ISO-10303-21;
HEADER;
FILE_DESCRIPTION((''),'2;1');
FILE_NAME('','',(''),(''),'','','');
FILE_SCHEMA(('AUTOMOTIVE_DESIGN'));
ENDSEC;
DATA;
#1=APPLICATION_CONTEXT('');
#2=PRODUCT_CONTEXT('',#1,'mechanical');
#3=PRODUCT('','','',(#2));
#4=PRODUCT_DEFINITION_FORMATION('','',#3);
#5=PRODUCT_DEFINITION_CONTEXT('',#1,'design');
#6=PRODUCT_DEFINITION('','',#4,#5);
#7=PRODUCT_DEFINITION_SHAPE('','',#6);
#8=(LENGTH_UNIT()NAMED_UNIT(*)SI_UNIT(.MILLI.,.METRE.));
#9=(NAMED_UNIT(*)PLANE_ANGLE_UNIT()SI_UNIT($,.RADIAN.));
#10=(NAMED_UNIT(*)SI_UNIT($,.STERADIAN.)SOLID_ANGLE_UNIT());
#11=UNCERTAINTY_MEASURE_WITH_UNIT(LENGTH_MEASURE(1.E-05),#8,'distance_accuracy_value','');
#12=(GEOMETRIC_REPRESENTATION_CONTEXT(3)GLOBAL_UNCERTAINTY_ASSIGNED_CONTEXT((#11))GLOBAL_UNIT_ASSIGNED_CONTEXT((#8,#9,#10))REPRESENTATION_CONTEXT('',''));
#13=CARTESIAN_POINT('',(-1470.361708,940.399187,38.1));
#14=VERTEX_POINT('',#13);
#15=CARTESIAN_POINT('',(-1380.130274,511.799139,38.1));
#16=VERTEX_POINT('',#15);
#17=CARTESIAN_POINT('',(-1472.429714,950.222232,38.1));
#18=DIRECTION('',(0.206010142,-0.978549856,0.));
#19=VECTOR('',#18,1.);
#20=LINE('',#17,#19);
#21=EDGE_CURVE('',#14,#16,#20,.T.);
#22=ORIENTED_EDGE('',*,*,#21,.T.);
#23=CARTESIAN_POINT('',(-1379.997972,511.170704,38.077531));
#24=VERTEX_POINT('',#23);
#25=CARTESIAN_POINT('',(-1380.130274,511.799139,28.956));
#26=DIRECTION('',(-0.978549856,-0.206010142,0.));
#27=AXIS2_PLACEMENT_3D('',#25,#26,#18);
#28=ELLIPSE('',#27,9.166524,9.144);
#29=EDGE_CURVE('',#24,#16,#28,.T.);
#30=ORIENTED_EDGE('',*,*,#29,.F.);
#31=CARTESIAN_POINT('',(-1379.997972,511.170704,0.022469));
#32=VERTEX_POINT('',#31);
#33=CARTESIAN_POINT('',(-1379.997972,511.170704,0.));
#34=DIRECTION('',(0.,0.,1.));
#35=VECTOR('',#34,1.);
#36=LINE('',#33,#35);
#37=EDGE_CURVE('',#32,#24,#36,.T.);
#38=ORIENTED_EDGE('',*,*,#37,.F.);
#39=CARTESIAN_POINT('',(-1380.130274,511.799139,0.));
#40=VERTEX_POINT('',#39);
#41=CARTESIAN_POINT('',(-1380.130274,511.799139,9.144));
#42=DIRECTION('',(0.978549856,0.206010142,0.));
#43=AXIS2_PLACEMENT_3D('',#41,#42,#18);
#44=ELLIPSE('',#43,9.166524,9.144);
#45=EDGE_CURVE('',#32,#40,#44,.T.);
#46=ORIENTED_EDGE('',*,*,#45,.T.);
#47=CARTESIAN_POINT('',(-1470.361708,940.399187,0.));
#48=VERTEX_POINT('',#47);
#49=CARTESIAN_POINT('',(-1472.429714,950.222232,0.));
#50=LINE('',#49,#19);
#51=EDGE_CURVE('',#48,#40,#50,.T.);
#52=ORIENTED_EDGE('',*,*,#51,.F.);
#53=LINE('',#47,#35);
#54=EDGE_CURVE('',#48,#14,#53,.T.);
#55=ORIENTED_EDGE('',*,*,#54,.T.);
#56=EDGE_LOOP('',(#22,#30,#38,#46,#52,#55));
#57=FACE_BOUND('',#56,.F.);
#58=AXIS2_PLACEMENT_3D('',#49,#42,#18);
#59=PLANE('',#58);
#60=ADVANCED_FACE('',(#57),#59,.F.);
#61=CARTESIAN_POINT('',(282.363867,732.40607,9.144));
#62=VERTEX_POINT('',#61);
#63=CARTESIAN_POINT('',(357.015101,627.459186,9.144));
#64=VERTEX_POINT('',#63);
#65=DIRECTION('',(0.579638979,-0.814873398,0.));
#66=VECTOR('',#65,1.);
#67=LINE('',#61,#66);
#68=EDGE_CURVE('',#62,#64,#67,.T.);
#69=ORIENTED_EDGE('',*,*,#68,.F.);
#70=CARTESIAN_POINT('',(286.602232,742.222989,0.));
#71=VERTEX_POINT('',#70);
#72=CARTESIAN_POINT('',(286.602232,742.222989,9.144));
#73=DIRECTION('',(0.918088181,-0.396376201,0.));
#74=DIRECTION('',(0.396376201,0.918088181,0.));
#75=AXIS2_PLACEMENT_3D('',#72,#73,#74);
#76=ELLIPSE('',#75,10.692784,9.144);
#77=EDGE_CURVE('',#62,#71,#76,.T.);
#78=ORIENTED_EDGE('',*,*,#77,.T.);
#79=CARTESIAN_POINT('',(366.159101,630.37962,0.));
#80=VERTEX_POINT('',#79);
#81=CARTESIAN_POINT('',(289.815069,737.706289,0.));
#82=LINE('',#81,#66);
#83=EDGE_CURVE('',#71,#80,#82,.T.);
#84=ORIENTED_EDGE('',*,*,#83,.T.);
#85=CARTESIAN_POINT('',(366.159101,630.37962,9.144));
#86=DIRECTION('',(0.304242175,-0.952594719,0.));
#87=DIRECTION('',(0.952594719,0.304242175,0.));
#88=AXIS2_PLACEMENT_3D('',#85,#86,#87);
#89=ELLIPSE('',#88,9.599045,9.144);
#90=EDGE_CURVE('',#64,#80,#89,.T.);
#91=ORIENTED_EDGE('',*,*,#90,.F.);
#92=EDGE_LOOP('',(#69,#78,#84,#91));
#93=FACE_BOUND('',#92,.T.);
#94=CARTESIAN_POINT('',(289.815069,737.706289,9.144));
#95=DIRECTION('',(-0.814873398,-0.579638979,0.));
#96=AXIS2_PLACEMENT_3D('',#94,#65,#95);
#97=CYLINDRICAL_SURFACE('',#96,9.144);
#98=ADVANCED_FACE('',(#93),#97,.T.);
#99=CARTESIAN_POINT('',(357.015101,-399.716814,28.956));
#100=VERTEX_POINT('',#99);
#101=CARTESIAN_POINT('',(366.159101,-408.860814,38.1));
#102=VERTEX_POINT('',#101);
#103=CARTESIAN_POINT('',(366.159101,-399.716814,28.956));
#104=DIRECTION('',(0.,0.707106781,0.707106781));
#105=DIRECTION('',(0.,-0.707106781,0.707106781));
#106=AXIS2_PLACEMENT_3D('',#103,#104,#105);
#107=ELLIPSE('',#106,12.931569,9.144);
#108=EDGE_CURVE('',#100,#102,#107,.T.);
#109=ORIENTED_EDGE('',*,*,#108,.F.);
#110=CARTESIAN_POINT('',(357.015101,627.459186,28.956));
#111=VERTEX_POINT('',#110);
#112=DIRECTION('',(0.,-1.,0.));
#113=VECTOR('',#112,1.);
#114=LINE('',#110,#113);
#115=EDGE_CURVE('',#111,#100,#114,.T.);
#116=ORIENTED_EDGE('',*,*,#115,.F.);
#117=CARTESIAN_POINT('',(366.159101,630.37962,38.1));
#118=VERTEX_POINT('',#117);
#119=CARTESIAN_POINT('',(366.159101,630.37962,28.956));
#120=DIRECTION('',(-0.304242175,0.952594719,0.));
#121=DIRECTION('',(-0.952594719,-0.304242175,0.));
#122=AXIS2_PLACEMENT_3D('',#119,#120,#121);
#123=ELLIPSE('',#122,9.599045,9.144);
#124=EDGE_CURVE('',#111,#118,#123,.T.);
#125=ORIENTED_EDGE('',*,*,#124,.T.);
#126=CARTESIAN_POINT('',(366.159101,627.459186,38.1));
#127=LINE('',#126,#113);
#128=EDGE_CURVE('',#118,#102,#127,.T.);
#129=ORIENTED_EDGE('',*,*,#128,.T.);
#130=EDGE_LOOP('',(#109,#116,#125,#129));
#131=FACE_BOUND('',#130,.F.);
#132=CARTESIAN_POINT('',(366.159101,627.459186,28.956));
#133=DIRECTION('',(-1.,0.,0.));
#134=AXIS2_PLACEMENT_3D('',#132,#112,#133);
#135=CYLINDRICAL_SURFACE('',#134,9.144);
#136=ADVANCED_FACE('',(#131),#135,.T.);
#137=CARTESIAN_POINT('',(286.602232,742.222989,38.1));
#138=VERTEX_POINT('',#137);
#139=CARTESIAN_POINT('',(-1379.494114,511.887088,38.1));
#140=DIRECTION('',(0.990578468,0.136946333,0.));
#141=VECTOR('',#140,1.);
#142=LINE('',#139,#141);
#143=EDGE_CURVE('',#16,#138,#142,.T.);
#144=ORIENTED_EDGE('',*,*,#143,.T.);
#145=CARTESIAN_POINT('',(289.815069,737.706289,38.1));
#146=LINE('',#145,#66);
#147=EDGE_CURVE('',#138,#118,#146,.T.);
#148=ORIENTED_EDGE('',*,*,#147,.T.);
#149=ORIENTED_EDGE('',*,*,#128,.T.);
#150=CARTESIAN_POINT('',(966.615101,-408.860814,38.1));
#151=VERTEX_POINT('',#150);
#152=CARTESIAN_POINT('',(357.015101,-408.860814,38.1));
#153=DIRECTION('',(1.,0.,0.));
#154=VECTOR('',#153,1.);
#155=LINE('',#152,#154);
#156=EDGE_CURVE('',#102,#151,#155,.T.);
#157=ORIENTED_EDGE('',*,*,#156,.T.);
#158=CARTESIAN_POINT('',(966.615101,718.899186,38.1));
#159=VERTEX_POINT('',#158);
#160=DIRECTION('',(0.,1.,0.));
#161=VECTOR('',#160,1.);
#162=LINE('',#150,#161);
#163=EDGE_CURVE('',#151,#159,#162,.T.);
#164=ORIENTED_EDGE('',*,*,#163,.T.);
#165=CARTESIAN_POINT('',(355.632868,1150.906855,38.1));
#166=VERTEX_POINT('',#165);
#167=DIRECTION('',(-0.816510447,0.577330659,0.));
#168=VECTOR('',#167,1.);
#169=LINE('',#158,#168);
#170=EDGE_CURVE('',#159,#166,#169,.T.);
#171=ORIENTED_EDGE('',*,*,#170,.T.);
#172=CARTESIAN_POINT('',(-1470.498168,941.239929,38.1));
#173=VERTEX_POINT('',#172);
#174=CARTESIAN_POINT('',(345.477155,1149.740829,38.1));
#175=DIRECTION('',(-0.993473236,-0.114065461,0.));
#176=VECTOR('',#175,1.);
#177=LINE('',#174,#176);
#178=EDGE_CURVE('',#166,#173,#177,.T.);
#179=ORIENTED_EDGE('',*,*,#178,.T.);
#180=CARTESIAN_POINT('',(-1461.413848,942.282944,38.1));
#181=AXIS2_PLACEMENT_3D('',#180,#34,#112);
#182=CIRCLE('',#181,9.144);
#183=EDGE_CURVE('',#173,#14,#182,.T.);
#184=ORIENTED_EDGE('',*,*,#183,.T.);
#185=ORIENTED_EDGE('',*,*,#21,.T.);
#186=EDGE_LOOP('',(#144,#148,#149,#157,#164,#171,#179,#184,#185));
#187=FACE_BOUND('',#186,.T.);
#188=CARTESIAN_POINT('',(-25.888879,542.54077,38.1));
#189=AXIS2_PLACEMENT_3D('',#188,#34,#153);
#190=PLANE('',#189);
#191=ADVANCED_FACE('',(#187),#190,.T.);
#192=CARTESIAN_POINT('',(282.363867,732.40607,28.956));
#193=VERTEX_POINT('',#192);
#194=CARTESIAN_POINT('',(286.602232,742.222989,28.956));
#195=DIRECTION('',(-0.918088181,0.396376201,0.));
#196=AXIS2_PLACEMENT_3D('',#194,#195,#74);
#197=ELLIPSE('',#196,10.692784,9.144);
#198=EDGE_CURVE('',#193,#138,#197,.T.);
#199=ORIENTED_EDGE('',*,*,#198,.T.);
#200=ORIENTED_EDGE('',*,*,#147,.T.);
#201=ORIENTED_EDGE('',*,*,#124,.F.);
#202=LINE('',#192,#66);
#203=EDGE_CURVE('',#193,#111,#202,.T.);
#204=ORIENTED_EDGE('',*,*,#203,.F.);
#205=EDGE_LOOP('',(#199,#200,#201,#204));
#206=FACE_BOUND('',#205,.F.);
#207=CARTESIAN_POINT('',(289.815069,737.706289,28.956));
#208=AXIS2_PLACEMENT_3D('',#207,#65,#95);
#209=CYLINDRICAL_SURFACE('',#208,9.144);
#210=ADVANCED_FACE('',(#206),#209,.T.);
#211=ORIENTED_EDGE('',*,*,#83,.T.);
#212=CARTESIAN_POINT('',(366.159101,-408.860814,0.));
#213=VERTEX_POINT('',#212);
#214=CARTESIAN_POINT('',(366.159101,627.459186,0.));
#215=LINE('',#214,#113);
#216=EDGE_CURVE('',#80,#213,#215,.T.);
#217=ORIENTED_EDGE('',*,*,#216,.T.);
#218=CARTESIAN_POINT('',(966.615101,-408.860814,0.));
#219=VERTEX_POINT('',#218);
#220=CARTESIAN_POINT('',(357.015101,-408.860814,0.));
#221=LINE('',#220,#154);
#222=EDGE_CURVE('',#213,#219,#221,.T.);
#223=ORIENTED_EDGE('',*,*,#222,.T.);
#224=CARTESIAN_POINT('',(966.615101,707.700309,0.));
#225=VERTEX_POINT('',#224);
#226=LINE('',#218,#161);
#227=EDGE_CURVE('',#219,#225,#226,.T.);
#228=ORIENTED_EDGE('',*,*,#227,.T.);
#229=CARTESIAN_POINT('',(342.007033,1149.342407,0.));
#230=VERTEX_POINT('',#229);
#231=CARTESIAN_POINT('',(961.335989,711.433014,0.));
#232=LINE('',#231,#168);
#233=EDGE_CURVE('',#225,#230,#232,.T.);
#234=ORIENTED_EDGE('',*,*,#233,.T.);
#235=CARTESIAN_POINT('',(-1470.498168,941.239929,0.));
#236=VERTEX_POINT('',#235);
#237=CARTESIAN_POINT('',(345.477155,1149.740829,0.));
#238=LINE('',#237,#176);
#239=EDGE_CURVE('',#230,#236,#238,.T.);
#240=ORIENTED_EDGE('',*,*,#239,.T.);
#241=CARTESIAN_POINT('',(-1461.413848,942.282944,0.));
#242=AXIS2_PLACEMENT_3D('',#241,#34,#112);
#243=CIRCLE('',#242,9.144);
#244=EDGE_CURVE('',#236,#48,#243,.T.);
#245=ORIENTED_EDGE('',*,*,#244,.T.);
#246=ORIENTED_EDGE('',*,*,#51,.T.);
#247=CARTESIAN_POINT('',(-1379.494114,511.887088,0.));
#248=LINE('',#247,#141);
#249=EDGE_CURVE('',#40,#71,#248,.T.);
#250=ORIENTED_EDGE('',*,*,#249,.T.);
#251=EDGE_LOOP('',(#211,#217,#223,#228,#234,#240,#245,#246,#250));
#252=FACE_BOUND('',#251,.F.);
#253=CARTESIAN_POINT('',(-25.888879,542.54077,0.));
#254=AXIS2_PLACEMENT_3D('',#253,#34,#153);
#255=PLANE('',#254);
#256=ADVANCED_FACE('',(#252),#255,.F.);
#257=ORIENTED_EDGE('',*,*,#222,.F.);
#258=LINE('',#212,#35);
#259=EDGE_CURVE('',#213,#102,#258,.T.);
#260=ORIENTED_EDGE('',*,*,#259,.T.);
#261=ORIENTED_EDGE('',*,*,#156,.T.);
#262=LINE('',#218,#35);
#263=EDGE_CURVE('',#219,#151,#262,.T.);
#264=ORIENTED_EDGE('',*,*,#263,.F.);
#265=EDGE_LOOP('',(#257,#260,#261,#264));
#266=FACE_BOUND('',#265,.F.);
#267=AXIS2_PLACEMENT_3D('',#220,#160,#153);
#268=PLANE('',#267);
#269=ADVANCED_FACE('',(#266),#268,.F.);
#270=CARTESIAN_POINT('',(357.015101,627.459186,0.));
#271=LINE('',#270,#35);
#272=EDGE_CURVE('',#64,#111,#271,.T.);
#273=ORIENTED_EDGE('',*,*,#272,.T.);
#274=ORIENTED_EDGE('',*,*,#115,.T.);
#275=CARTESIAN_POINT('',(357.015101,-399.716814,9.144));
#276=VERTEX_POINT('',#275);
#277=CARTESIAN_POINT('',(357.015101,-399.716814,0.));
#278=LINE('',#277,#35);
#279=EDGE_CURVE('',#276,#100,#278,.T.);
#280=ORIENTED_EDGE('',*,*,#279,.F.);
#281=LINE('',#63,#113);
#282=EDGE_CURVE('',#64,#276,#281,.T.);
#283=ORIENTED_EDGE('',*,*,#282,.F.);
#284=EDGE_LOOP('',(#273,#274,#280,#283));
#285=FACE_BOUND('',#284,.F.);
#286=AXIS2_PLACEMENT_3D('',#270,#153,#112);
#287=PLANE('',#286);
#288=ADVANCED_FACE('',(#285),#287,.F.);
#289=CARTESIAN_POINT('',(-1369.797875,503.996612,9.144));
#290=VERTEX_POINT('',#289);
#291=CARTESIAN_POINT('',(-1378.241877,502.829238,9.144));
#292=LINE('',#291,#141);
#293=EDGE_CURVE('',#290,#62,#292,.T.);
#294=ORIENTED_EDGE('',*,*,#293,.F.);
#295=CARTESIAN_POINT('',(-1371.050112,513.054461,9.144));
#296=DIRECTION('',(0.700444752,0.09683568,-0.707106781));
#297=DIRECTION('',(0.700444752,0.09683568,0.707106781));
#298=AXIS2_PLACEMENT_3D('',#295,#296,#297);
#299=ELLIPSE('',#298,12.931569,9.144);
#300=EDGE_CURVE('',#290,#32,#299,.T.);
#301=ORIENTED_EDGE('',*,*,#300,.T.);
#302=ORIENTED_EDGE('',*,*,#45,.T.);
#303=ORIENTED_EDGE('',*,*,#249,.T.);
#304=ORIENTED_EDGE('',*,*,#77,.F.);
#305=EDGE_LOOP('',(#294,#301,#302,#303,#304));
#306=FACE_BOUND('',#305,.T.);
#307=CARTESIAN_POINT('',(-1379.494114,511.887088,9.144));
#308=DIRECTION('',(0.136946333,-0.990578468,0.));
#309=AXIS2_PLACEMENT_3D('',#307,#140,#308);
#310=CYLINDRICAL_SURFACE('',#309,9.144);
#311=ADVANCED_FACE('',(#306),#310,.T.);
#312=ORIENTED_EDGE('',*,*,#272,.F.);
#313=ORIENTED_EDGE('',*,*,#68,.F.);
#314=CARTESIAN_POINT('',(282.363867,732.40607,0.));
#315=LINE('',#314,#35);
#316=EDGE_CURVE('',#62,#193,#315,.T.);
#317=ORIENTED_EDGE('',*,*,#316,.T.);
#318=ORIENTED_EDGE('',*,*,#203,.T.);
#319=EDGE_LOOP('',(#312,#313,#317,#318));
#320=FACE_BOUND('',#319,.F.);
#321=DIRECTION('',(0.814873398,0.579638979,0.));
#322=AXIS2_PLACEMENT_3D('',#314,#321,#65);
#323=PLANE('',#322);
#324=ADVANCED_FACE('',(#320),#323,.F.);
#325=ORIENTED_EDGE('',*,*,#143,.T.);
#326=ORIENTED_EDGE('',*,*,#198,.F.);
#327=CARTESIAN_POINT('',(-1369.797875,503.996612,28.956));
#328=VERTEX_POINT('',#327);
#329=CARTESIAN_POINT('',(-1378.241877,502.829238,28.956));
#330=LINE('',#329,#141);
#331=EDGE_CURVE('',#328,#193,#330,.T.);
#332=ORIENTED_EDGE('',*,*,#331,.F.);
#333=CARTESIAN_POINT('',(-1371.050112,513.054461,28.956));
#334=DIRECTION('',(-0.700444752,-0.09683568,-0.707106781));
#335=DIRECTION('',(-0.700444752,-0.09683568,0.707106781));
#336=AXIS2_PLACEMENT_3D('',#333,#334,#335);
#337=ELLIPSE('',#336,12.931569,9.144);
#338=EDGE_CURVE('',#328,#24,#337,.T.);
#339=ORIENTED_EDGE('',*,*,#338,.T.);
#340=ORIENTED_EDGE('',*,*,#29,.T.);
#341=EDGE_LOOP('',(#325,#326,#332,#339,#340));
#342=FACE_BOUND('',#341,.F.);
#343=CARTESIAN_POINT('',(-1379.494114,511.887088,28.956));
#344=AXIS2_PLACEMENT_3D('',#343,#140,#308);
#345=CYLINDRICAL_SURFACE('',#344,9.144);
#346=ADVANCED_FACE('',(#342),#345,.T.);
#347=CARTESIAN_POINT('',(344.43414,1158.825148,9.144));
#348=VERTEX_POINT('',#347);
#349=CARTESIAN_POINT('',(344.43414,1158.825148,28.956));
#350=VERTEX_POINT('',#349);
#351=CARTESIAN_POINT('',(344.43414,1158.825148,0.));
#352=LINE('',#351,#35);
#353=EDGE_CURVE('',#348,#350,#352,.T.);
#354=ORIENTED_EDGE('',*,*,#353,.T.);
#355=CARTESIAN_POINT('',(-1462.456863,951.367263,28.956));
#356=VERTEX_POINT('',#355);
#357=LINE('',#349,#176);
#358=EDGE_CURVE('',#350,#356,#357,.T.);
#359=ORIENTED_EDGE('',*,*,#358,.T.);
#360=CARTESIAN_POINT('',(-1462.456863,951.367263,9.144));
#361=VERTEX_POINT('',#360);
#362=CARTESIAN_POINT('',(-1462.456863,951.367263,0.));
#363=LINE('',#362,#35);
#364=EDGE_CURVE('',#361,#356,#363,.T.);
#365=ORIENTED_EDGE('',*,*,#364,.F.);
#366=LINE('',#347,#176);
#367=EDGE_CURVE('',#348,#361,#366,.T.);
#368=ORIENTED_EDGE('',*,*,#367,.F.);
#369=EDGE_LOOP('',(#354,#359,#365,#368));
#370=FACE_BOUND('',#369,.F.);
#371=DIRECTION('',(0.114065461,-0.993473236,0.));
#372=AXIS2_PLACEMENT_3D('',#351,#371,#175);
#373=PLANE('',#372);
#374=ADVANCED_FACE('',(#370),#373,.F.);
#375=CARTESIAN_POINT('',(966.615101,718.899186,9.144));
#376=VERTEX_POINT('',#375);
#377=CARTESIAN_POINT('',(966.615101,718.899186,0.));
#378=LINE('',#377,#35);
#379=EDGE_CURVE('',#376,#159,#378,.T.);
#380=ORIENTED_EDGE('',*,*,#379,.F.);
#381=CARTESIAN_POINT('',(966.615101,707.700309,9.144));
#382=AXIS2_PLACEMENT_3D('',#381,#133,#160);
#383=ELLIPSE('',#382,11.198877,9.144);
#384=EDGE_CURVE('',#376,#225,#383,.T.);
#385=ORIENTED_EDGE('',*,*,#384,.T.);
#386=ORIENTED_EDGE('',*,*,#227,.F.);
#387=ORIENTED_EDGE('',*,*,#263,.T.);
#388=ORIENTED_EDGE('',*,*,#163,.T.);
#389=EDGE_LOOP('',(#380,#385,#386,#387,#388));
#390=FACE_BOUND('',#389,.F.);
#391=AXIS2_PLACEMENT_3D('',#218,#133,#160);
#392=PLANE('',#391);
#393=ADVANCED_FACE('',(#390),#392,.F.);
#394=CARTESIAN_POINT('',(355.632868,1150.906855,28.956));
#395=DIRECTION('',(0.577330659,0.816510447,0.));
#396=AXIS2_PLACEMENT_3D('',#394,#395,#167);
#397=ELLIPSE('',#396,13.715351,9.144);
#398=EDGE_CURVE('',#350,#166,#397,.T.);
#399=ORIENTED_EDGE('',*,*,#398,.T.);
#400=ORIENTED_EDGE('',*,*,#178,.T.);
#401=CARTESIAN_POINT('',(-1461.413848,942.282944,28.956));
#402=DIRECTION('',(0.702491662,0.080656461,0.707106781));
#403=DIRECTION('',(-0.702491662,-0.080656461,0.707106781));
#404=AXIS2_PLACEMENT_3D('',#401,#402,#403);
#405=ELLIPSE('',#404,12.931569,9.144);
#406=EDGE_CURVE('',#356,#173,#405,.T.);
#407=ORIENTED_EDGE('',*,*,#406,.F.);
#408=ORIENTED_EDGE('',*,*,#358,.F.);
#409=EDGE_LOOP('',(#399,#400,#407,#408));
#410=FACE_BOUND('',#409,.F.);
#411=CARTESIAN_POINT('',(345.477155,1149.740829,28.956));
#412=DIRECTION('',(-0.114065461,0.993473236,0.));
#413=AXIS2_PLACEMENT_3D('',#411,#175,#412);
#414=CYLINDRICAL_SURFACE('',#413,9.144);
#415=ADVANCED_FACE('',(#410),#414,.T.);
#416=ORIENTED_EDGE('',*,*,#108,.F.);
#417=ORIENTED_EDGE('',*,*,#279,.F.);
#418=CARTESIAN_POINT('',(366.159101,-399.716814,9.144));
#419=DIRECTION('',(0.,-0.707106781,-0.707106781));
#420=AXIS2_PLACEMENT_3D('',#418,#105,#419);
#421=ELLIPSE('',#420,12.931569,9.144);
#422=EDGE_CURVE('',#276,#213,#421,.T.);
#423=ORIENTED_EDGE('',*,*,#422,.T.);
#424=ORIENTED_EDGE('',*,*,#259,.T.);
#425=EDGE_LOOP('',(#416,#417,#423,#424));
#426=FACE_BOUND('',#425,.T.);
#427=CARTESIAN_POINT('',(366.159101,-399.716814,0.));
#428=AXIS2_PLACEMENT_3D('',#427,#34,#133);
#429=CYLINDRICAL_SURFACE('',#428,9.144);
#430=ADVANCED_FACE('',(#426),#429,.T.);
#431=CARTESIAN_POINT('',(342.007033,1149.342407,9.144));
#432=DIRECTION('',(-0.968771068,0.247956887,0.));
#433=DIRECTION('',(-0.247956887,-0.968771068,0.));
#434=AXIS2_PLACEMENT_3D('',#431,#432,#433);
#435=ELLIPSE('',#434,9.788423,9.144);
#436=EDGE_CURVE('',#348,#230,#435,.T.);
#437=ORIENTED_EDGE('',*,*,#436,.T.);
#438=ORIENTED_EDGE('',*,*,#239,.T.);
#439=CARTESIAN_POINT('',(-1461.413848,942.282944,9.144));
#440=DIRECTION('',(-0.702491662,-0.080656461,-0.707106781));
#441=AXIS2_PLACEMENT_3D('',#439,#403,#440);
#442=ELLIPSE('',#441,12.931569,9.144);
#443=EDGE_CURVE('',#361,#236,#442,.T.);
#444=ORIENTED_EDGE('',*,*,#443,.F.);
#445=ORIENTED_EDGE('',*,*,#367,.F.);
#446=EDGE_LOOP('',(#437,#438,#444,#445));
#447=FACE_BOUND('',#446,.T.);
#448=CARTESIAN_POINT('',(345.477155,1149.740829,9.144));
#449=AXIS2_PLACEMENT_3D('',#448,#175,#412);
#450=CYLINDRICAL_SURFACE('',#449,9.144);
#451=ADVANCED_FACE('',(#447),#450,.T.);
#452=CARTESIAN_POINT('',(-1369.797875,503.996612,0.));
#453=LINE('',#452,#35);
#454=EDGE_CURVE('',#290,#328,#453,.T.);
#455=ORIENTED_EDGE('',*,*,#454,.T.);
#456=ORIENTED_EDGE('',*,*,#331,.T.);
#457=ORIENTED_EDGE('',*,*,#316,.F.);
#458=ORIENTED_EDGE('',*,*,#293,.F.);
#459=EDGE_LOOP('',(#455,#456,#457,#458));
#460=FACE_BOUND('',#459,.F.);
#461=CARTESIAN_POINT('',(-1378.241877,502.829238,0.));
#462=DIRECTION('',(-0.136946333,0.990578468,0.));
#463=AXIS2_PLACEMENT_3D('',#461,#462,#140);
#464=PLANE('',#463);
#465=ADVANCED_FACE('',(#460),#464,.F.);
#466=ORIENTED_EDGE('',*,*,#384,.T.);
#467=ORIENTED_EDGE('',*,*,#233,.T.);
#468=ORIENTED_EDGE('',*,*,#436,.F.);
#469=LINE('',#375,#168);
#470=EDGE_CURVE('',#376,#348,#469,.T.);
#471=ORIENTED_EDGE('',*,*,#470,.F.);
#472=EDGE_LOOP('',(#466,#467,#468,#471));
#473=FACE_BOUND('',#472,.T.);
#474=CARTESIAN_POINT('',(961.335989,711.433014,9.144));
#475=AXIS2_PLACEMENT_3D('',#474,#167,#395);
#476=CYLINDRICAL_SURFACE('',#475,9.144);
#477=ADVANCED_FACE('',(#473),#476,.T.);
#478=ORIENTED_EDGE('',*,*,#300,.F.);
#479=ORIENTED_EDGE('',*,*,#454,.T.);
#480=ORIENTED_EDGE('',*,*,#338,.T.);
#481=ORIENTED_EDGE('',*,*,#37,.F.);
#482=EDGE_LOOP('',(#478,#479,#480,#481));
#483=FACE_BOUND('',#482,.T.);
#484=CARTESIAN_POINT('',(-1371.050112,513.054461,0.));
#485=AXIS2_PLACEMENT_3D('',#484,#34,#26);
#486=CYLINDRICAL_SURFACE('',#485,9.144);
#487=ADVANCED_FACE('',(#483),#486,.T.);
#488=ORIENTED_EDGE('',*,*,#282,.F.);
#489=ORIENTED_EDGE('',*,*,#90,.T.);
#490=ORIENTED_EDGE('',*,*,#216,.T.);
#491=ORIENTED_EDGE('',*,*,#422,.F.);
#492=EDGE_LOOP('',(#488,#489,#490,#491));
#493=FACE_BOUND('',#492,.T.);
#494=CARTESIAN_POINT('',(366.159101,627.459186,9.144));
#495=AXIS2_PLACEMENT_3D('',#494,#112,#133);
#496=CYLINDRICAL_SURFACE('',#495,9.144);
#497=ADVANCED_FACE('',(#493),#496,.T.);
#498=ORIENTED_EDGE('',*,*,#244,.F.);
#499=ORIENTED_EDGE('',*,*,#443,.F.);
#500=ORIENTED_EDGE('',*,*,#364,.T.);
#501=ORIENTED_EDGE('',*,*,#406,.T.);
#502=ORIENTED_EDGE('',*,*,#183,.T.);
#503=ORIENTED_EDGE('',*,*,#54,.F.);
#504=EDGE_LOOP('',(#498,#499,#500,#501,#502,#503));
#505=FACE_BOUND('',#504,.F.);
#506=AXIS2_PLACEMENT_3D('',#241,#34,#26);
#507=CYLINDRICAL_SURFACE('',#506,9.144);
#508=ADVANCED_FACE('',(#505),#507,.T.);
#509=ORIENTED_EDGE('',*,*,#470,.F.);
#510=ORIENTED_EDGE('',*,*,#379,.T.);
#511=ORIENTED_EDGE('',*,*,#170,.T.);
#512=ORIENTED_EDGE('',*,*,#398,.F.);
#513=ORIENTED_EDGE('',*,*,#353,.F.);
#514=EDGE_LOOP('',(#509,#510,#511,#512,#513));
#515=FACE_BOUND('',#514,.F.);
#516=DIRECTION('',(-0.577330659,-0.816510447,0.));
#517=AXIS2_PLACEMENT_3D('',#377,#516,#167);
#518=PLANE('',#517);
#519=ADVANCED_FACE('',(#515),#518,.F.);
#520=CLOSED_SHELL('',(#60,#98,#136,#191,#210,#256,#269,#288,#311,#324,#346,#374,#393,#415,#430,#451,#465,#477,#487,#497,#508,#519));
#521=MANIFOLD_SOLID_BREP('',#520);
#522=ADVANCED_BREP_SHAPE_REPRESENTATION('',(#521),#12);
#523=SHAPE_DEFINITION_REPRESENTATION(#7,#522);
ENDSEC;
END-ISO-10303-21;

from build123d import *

# Parameters (mm, degrees)
F1_DEPTH = 38.1
F2_R     = 9.144


with BuildPart() as f1:
    # F0 (on Top) → F1 (new body)
    with BuildSketch(Plane.XY):
        Polygon((-1472.429714, 950.222232), (-1378.241877, 502.829238), (282.363867, 732.40607), (357.015101, 627.459186), (357.015101, -408.860814), (966.615101, -408.860814), (966.615101, 718.899186), (344.43414, 1158.825148), align=None)
    extrude(amount=F1_DEPTH)

    # F2
    f2_edges = [f1.edges().sort_by_distance(p)[0] for p in [
        (-547.939005, 617.617654, 38.1),
        (-547.939005, 617.617654, 0),
        (-1378.241877, 502.829238, 19.05),
        (319.689484, 679.932628, 0),
        (357.015101, 109.299186, 0),
        (357.015101, 109.299186, 38.1),
        (319.689484, 679.932628, 38.1),
        (357.015101, -408.860814, 19.05),
        (-1472.429714, 950.222232, 19.05),
        (-563.997787, 1054.52369, 38.1),
        (-563.997787, 1054.52369, 0),
        (655.52462, 938.862167, 0),
    ]]
    fillet(f2_edges, radius=F2_R)


solid = f1.part
